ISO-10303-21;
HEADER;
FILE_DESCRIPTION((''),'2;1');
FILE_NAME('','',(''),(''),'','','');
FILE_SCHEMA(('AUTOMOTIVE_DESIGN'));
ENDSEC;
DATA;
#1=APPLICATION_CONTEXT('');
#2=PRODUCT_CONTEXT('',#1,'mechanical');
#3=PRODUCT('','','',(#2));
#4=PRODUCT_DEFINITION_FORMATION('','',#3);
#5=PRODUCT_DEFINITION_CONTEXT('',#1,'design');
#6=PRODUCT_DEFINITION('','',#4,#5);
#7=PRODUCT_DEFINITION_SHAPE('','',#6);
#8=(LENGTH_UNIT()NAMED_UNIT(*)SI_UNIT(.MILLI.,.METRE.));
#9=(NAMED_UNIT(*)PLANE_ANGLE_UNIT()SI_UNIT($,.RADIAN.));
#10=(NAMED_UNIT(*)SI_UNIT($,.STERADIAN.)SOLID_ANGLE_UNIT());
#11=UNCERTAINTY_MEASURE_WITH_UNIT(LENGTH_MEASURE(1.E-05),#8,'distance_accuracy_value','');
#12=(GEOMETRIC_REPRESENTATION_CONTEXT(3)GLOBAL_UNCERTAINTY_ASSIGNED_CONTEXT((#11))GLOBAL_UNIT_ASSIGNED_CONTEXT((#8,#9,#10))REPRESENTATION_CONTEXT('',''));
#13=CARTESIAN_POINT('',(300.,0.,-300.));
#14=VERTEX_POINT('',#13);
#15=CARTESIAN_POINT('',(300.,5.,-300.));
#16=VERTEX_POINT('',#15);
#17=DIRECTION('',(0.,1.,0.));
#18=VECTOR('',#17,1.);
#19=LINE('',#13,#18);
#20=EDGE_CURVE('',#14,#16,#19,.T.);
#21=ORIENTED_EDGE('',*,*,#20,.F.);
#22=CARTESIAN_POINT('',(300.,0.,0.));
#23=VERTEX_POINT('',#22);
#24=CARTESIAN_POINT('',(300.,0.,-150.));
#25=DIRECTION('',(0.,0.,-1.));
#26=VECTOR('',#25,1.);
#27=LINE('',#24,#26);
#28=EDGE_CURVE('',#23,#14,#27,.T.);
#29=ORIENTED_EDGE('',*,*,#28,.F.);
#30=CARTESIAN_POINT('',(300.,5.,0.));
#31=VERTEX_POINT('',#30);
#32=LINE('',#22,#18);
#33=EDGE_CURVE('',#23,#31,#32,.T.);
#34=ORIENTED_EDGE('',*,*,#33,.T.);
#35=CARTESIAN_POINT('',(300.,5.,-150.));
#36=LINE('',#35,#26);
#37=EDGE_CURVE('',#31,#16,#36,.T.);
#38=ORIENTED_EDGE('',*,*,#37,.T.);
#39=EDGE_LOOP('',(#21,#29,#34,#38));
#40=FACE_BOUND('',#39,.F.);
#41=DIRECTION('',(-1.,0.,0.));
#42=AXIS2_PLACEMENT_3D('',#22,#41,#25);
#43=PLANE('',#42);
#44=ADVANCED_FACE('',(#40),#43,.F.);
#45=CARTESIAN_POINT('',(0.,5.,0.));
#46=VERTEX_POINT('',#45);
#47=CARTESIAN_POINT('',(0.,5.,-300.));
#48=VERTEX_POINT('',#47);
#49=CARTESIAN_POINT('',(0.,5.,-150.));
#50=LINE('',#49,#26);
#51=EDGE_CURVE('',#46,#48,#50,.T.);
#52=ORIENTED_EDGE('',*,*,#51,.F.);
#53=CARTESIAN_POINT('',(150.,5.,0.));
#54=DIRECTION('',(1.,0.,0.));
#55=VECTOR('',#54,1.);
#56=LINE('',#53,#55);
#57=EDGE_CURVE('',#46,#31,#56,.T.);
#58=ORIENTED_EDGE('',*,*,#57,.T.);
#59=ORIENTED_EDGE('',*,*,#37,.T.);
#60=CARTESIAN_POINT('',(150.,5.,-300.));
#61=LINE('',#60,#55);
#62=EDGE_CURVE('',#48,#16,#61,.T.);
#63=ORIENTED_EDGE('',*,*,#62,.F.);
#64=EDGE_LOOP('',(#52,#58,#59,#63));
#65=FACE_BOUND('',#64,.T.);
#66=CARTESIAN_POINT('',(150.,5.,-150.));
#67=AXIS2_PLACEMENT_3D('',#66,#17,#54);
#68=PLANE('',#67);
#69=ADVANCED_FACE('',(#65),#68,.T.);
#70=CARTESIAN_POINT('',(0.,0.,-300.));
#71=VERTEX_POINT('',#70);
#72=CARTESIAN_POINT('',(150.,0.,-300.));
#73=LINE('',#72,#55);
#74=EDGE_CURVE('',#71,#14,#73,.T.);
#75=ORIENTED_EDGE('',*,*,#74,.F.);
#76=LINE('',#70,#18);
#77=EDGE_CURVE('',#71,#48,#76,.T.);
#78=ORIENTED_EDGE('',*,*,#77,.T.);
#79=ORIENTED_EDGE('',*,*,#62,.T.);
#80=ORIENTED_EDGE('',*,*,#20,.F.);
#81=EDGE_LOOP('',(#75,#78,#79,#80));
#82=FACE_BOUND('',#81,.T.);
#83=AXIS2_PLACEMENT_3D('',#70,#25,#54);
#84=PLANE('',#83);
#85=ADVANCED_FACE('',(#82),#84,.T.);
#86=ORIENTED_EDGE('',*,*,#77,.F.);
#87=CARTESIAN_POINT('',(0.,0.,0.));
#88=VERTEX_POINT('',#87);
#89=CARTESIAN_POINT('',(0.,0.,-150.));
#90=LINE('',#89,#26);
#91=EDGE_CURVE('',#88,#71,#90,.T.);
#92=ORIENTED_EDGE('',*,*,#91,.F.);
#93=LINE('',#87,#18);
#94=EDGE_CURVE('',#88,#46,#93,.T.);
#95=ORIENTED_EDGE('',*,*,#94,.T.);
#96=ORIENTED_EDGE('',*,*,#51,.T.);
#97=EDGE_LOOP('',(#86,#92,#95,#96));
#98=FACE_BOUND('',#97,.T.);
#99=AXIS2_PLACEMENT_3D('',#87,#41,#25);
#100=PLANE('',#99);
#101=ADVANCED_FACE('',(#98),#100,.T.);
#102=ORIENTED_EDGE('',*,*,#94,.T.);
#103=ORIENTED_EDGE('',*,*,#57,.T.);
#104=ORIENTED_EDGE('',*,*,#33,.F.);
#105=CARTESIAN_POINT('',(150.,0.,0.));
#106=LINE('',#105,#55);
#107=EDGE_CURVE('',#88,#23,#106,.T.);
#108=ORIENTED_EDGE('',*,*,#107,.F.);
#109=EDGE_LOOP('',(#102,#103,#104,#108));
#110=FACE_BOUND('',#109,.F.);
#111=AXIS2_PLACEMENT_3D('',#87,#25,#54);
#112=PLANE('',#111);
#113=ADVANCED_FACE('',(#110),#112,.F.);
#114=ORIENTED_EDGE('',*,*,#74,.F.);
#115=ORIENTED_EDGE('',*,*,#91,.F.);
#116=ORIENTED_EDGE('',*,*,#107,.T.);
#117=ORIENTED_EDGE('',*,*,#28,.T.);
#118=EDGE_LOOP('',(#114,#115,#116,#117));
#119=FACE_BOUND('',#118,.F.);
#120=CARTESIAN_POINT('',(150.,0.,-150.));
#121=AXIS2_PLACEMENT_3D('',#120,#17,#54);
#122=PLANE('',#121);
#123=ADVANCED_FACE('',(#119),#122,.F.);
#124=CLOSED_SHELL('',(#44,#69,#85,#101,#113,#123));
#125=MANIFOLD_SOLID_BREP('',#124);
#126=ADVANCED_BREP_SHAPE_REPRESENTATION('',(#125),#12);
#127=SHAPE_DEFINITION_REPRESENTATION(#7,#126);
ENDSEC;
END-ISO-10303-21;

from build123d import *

# Parameters (mm, degrees)
ESQUISSE1_W      = 300
ESQUISSE1_H      = 300
EXTRUSION1_DEPTH = 5


with BuildPart() as part:
    # Esquisse1 → Extrusion1 (new body)
    with BuildSketch(Plane(origin=(0, 0, 0), x_dir=(1, 0, 0), z_dir=(0, 1, 0))):
        with Locations((150, 150)):
            Rectangle(ESQUISSE1_W, ESQUISSE1_H)
    extrude(amount=EXTRUSION1_DEPTH)


solid = part.part
